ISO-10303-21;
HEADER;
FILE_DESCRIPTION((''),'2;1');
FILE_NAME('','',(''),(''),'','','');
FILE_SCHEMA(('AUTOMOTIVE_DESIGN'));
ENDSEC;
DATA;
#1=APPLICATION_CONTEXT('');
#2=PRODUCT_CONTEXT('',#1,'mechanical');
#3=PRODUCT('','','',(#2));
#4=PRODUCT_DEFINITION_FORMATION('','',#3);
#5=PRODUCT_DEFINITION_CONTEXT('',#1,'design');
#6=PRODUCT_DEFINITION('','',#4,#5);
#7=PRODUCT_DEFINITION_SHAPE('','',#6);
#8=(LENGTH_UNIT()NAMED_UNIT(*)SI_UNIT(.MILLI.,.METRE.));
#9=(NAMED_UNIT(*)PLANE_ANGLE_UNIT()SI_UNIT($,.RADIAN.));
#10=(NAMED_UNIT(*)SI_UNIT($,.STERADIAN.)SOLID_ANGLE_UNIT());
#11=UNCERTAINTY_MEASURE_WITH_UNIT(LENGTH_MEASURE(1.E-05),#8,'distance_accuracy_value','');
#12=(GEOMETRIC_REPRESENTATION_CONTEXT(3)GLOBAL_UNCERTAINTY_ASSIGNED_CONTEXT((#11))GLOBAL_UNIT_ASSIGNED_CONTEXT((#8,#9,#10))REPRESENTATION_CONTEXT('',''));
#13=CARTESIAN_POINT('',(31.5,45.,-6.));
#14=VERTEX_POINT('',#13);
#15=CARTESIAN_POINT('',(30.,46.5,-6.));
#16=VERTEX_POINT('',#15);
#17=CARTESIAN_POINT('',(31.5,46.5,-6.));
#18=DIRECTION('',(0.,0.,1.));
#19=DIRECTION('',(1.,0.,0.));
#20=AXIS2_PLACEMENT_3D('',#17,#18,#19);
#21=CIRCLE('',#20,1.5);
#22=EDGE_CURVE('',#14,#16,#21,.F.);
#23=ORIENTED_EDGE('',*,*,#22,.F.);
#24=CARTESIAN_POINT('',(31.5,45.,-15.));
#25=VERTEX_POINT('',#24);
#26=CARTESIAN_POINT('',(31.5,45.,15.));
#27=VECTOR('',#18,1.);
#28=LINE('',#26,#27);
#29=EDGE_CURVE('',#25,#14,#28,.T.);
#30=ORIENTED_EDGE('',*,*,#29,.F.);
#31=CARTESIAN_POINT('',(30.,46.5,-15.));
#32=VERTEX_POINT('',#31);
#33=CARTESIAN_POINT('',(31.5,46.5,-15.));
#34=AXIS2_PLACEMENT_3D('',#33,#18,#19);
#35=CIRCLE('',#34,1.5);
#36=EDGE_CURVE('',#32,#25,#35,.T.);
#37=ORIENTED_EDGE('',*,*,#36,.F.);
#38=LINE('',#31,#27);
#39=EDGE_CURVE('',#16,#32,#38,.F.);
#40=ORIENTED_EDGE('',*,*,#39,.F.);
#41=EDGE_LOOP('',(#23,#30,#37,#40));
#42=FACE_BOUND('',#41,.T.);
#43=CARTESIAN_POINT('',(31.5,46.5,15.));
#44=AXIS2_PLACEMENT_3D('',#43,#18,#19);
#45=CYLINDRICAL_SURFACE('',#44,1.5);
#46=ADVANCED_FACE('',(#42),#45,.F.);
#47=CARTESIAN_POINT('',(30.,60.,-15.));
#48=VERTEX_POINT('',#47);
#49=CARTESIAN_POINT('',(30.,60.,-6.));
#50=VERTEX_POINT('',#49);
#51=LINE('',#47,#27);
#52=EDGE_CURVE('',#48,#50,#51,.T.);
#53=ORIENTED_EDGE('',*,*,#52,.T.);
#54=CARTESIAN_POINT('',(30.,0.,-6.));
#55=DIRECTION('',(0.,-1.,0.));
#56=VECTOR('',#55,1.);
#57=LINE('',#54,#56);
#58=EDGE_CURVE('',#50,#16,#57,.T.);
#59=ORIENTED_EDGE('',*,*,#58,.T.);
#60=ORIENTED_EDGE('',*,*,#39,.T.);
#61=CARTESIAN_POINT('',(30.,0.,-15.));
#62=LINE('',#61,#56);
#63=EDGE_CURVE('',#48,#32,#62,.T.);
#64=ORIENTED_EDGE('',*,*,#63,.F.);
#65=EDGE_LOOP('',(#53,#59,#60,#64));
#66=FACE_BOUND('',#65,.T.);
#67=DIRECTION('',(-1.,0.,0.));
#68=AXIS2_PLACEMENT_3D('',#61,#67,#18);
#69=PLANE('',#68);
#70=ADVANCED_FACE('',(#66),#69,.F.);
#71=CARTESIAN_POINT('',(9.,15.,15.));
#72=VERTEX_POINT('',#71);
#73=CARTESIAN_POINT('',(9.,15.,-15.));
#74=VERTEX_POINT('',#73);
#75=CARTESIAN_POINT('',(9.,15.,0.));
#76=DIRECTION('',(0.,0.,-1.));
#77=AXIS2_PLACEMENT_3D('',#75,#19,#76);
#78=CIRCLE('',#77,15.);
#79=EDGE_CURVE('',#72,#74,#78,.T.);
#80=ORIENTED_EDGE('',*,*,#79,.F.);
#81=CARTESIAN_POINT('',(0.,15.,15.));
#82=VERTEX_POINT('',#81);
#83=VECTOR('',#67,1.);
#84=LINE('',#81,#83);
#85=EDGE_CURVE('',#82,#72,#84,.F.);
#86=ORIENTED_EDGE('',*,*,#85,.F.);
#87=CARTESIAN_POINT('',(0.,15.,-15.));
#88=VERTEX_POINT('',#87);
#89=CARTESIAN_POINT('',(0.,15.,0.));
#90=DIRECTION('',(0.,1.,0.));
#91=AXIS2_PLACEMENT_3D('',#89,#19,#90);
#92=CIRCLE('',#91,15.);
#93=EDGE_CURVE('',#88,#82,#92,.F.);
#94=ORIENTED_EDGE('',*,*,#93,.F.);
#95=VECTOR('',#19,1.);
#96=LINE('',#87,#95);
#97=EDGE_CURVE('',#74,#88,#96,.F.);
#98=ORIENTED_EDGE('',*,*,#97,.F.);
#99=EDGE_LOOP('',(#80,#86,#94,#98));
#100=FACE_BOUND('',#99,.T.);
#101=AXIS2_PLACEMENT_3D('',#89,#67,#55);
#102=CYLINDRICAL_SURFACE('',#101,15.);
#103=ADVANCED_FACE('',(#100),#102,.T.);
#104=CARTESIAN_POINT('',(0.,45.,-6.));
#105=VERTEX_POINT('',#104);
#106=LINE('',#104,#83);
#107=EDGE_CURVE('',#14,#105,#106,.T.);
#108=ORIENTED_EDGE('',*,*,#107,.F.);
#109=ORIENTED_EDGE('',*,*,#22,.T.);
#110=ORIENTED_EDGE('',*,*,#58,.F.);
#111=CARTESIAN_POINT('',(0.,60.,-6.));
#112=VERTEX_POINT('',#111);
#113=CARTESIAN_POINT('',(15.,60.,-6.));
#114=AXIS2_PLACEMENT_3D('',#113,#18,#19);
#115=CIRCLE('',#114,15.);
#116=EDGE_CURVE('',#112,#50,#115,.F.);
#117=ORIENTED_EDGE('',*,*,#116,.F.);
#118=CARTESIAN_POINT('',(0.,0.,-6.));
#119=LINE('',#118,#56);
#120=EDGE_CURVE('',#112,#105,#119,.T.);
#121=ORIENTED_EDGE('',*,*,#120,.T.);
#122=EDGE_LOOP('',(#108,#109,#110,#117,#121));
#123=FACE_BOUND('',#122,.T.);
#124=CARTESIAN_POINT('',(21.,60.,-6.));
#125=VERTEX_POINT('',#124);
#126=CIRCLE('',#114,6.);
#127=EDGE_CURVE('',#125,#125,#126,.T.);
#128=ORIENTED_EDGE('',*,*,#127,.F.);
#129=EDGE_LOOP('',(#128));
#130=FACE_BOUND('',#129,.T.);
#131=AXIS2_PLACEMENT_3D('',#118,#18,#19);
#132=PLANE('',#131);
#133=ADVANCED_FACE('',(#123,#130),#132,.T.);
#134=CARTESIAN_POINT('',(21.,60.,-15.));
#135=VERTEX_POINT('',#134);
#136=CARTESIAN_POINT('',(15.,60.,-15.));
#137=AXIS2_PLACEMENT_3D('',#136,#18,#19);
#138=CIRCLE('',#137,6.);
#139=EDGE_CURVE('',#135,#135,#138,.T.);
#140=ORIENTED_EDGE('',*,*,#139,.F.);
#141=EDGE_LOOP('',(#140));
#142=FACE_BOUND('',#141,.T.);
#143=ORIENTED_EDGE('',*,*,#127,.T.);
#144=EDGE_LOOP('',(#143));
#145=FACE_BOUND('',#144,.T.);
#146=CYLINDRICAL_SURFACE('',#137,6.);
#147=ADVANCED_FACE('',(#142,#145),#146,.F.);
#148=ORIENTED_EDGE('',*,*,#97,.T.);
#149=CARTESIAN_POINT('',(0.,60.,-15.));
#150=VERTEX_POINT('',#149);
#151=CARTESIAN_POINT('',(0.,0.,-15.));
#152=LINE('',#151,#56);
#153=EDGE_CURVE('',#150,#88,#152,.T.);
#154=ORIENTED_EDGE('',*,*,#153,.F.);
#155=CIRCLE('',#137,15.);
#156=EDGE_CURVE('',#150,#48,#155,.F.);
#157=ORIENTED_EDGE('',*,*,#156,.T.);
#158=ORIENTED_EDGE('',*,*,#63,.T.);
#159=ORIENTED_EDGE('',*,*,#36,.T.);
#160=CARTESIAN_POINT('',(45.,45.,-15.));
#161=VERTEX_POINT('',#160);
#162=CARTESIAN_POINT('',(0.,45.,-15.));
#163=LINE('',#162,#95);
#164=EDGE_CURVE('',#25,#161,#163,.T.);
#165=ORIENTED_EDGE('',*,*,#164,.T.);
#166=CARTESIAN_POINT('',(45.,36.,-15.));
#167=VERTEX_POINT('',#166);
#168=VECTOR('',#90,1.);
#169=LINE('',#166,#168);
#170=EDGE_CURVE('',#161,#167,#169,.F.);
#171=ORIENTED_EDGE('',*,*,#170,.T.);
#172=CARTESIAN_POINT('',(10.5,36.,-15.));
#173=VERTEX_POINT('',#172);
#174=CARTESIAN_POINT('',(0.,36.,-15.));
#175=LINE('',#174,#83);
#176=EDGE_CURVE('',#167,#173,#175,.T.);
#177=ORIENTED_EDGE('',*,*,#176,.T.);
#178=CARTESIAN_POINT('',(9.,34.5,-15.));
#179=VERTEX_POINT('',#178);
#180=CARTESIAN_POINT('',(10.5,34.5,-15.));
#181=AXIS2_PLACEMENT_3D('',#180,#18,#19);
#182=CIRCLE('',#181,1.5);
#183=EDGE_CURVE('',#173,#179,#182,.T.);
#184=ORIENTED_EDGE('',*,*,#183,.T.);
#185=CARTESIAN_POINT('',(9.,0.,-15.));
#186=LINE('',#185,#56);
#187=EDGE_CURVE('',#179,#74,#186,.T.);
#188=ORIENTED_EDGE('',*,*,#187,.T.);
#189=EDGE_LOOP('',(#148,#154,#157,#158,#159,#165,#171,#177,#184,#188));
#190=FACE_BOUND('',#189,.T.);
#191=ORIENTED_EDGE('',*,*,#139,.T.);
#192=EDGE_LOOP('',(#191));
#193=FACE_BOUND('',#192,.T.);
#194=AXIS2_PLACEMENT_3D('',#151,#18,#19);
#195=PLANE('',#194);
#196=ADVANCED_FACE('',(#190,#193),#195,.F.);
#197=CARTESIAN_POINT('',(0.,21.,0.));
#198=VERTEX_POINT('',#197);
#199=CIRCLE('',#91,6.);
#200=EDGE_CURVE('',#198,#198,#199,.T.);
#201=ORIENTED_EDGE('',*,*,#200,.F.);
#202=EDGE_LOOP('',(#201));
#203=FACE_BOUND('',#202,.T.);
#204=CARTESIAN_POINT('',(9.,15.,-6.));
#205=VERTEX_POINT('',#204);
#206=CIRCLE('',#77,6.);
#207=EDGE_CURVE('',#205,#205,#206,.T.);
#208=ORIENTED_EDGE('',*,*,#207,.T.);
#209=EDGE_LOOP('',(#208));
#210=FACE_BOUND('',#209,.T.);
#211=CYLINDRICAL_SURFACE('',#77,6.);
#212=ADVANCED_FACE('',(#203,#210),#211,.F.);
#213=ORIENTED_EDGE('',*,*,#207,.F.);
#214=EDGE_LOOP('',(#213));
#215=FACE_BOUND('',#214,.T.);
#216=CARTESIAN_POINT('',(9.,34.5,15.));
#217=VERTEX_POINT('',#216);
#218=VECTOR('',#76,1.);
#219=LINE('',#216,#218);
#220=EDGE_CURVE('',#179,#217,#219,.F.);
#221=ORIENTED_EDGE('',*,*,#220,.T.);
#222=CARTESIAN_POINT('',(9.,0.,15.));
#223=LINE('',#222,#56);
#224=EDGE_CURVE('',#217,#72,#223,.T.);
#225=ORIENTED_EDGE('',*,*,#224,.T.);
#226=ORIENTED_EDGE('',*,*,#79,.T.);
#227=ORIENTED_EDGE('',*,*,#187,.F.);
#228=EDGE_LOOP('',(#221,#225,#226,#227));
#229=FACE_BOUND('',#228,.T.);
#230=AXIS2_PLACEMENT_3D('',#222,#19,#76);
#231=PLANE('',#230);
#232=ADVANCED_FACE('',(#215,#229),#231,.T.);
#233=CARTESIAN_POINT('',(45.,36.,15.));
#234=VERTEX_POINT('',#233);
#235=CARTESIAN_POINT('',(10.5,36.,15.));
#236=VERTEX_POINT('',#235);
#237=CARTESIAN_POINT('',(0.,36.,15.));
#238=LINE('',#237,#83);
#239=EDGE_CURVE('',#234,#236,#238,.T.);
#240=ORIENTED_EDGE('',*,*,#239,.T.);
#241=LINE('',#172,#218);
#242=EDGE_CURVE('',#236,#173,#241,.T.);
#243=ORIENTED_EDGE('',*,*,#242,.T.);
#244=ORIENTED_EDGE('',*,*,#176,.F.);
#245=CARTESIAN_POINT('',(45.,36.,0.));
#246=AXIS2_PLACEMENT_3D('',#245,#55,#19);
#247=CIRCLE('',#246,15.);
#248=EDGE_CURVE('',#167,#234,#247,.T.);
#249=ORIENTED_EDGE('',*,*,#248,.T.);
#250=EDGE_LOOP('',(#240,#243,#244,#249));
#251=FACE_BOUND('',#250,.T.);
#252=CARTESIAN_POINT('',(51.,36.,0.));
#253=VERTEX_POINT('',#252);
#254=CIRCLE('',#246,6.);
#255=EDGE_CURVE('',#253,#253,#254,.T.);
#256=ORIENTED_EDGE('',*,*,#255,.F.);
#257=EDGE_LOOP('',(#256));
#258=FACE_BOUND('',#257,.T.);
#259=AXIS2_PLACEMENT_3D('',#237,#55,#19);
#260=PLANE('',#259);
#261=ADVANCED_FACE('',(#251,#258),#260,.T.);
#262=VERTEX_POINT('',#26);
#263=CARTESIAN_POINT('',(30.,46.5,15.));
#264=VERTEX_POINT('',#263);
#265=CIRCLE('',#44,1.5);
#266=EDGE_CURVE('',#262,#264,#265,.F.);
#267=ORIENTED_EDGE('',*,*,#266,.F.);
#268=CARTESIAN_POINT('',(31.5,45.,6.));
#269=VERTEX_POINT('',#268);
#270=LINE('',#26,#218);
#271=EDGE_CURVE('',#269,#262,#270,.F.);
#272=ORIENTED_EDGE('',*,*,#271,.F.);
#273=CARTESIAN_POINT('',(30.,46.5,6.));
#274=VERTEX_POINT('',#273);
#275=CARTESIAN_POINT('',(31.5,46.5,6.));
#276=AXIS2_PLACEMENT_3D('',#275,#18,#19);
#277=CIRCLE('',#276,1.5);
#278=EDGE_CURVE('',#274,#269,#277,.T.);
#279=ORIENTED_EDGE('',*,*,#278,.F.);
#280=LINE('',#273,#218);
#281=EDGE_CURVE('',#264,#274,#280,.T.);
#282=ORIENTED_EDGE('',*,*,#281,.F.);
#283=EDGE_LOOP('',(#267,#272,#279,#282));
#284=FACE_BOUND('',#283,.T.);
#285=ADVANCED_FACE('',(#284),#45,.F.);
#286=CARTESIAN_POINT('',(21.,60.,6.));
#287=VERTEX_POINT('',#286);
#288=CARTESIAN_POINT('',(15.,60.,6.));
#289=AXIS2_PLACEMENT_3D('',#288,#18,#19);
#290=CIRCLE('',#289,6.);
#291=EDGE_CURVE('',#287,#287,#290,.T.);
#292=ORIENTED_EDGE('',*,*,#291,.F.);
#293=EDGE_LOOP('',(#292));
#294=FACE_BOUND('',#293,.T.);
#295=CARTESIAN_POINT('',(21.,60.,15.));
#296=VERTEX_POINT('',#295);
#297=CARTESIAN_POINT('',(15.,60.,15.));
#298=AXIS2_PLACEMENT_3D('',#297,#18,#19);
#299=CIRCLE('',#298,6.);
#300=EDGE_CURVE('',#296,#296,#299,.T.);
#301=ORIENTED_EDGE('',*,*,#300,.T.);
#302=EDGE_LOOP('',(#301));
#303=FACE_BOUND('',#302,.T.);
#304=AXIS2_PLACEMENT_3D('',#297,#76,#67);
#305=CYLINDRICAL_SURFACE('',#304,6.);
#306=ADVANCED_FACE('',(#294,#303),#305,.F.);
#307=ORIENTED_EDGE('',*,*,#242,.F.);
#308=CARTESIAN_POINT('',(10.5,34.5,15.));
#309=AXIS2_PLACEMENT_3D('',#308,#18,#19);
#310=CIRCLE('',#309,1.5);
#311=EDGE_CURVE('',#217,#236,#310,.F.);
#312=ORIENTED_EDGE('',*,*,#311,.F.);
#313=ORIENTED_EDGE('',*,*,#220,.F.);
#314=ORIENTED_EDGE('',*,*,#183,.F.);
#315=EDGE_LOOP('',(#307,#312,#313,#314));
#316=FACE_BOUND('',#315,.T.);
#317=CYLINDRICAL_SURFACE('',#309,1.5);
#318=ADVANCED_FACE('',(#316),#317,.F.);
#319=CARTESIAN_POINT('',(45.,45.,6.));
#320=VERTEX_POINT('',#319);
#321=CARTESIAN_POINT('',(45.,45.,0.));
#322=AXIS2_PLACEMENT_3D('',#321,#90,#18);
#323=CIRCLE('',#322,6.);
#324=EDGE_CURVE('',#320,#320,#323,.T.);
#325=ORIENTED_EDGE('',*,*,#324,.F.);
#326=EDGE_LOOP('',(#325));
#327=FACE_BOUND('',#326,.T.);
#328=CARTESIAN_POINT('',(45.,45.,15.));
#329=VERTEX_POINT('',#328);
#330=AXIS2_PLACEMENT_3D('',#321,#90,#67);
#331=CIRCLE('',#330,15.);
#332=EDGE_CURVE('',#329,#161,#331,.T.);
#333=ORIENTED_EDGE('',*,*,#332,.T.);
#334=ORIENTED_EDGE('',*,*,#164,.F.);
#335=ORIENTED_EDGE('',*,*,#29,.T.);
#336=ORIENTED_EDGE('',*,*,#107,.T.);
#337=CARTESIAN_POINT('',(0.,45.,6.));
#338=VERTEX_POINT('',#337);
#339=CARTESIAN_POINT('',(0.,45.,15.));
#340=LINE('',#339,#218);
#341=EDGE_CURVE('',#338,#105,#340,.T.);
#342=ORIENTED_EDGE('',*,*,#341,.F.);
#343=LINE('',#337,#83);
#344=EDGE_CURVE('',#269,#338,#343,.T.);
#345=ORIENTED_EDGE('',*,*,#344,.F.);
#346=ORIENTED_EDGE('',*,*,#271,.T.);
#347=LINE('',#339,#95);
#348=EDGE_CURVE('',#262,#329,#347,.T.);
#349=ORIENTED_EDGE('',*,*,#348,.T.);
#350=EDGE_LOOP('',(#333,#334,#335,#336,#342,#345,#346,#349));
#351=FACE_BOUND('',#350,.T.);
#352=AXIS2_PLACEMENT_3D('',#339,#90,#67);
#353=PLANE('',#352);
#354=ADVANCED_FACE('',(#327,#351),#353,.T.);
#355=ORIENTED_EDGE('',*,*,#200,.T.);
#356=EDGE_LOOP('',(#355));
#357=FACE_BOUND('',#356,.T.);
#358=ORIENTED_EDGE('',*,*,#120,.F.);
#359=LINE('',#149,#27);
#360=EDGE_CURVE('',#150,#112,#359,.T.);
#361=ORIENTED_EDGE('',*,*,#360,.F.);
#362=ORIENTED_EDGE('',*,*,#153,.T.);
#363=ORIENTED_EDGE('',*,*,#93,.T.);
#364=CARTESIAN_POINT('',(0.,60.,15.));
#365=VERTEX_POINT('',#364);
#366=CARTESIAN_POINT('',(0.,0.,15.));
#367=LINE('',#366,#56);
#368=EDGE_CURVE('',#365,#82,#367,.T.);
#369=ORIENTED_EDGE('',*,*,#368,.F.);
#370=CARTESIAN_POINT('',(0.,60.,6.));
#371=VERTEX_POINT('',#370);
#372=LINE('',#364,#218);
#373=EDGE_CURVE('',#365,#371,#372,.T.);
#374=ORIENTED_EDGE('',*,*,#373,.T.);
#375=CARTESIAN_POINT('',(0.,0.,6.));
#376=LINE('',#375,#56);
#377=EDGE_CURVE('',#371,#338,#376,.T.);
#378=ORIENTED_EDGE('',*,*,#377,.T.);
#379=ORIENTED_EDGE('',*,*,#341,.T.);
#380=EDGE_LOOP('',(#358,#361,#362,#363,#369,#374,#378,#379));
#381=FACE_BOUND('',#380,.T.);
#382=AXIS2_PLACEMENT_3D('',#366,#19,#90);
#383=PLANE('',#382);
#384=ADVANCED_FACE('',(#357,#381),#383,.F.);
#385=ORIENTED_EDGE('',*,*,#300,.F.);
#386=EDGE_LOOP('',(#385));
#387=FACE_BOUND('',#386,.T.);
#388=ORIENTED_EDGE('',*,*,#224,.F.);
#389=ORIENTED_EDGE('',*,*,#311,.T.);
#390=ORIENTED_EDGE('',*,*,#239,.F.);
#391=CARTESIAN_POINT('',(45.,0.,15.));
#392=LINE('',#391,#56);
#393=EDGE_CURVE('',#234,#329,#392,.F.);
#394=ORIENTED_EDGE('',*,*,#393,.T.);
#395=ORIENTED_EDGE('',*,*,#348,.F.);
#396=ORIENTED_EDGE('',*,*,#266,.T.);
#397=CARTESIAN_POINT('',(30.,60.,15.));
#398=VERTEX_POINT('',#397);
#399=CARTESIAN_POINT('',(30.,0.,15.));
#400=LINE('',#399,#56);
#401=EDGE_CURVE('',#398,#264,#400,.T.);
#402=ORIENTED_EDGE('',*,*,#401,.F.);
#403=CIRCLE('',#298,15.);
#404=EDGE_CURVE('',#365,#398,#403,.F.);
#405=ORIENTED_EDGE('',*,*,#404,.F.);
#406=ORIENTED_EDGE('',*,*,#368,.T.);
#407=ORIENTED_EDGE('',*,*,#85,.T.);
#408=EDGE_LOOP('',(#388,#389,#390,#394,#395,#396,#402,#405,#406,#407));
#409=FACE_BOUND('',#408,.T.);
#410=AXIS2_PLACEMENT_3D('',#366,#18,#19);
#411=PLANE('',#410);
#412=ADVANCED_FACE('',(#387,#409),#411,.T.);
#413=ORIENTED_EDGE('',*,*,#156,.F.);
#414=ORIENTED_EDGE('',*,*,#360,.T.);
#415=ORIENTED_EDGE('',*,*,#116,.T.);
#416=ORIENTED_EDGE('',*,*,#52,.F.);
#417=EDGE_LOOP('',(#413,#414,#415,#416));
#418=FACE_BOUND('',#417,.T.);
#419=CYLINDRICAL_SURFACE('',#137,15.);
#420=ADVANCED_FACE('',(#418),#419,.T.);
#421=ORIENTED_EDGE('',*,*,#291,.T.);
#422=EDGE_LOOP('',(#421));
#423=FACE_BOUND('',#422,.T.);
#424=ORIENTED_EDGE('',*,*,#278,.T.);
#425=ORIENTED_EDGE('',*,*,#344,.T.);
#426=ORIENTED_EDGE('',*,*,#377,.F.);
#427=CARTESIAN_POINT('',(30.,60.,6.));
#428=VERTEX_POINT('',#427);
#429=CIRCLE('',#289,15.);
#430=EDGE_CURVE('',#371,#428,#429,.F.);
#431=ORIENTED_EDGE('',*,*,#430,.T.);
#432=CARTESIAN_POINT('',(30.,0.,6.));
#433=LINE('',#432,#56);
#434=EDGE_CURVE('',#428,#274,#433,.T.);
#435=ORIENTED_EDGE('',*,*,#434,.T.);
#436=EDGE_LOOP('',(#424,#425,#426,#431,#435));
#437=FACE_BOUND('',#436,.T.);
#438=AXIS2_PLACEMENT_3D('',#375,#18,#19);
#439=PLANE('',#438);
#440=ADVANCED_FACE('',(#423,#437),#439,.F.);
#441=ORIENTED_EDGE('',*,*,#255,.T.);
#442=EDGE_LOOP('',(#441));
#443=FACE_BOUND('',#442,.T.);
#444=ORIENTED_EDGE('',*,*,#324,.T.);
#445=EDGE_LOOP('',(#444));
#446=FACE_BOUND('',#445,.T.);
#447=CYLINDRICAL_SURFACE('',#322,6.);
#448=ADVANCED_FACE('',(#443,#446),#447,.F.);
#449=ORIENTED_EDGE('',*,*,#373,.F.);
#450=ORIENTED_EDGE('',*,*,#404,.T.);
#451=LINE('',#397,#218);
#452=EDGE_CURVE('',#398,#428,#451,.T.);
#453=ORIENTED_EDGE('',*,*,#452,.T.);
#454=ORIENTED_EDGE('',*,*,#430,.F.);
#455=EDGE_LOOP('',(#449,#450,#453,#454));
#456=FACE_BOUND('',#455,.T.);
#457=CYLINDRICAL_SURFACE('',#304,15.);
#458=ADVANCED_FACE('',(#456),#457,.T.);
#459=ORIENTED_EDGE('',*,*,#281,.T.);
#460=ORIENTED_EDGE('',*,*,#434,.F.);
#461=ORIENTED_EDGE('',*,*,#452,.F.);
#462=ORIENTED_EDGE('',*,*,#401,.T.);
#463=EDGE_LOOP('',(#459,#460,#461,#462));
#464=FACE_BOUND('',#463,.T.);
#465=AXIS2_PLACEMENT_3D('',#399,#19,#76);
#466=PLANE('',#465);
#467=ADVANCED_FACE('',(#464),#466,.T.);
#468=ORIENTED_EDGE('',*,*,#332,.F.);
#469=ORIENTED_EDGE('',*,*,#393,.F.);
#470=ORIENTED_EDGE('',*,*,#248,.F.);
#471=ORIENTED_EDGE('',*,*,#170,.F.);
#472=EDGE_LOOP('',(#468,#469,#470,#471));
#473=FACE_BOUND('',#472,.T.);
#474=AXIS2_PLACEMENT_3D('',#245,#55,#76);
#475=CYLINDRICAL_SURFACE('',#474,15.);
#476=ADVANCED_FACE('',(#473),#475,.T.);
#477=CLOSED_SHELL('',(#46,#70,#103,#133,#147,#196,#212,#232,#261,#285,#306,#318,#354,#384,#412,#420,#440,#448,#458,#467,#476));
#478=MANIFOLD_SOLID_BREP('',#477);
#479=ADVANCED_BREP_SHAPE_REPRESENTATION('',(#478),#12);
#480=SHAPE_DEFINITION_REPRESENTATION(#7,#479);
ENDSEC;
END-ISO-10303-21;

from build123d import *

# Parameters (mm, degrees)
BOSS_EXTRUDE1_DEPTH              = 15
BOSS_EXTRUDE2_START              = 6
SKETCH1_5_R                      = 6
BOSS_EXTRUDE2_DEPTH              = 9
BOSS_EXTRUDE5_START              = -15
SKETCH1_8_R                      = 6
BOSS_EXTRUDE5_DEPTH              = 9
FILLET1_RADIUS                   = 15
FILLET1_LENGTH                   = 9
FILLET2_RADIUS                   = 15
FILLET2_LENGTH                   = 9
F_12_0MM_DOWEL_HOLE1_D           = 12
F_12_0MM_DOWEL_HOLE1_ON_FACE_2_D = 12
FILLET3_R                        = 1.5


with BuildPart() as part:
    # Sketch1 → Boss-Extrude1 (new, symmetric)
    with BuildSketch(Plane.XY):
        Polygon((30, 45), (0, 45), (0, 0), (9, 0), (9, 36), (60, 36), (60, 45), align=None)
    extrude(amount=BOSS_EXTRUDE1_DEPTH, both=True)

    # Sketch1<5> → Boss-Extrude2 (add)
    with BuildSketch(Plane.XY.offset(BOSS_EXTRUDE2_START)):
        with BuildLine():
            ThreePointArc((30, 60), (15, 75), (0, 60))
            Line((0, 60), (0, 45))
            Line((0, 45), (30, 45))
            Line((30, 45), (30, 60))
        make_face()
        with Locations((15, 60)):
            Circle(SKETCH1_5_R, mode=Mode.SUBTRACT)
    extrude(amount=BOSS_EXTRUDE2_DEPTH)

    # Sketch1<8> → Boss-Extrude5 (add)
    with BuildSketch(Plane.XY.offset(BOSS_EXTRUDE5_START)):
        with BuildLine():
            ThreePointArc((30, 60), (15, 75), (0, 60))
            Line((0, 60), (0, 45))
            Line((0, 45), (30, 45))
            Line((30, 45), (30, 60))
        make_face()
        with Locations((15, 60)):
            Circle(SKETCH1_8_R, mode=Mode.SUBTRACT)
    extrude(amount=BOSS_EXTRUDE5_DEPTH)

    # Fillet1: full round fillet: the end face becomes a half cylinder, R = half its width
    fillet1_face = Plane((60, 40.5, 0), x_dir=(0, -1, 0), z_dir=(1, 0, 0))  # on the end face: x along it, z out of the body
    fillet1_slab = fillet1_face.offset(-FILLET1_RADIUS / 2) * Box(FILLET1_LENGTH, 2 * FILLET1_RADIUS, FILLET1_RADIUS, mode=Mode.PRIVATE)  # the body's end, R deep
    fillet1_round = Plane((45, 40.5, 0), x_dir=(1, 0, 0), z_dir=(0, -1, 0)) * Cylinder(FILLET1_RADIUS, FILLET1_LENGTH, mode=Mode.PRIVATE)  # its axis R under the face
    add(fillet1_slab - fillet1_round, mode=Mode.SUBTRACT)

    # Fillet2: full round fillet: the end face becomes a half cylinder, R = half its width
    fillet2_face = Plane((4.5, 0, 0), x_dir=(-1, 0, 0), z_dir=(0, -1, 0))  # on the end face: x along it, z out of the body
    fillet2_slab = fillet2_face.offset(-FILLET2_RADIUS / 2) * Box(FILLET2_LENGTH, 2 * FILLET2_RADIUS, FILLET2_RADIUS, mode=Mode.PRIVATE)  # the body's end, R deep
    fillet2_round = Plane((4.5, 15, 0), x_dir=(0, -1, 0), z_dir=(-1, 0, 0)) * Cylinder(FILLET2_RADIUS, FILLET2_LENGTH, mode=Mode.PRIVATE)  # its axis R under the face
    add(fillet2_slab - fillet2_round, mode=Mode.SUBTRACT)

    # Ø12.0mm Dowel Hole1 (through all)
    with Locations(Plane(origin=(45, 45, 0), x_dir=(1, 0, 0), z_dir=(0, 1, 0))):
        with Locations((0, 0)):
            Hole(F_12_0MM_DOWEL_HOLE1_D / 2)

    # Ø12.0mm Dowel Hole1 on face 2 (through all)
    with Locations(Plane(origin=(9, 15, 0), x_dir=(0, 0, 1), z_dir=(1, 0, 0))):
        with Locations((0, 0)):
            Hole(F_12_0MM_DOWEL_HOLE1_ON_FACE_2_D / 2)

    # Fillet3
    fillet3_edges = [part.edges().sort_by_distance(p)[0] for p in [
        (9, 36, 0),
        (30, 45, 10.5),
        (30, 45, -10.5),
    ]]
    fillet(fillet3_edges, radius=FILLET3_R)


solid = part.part
